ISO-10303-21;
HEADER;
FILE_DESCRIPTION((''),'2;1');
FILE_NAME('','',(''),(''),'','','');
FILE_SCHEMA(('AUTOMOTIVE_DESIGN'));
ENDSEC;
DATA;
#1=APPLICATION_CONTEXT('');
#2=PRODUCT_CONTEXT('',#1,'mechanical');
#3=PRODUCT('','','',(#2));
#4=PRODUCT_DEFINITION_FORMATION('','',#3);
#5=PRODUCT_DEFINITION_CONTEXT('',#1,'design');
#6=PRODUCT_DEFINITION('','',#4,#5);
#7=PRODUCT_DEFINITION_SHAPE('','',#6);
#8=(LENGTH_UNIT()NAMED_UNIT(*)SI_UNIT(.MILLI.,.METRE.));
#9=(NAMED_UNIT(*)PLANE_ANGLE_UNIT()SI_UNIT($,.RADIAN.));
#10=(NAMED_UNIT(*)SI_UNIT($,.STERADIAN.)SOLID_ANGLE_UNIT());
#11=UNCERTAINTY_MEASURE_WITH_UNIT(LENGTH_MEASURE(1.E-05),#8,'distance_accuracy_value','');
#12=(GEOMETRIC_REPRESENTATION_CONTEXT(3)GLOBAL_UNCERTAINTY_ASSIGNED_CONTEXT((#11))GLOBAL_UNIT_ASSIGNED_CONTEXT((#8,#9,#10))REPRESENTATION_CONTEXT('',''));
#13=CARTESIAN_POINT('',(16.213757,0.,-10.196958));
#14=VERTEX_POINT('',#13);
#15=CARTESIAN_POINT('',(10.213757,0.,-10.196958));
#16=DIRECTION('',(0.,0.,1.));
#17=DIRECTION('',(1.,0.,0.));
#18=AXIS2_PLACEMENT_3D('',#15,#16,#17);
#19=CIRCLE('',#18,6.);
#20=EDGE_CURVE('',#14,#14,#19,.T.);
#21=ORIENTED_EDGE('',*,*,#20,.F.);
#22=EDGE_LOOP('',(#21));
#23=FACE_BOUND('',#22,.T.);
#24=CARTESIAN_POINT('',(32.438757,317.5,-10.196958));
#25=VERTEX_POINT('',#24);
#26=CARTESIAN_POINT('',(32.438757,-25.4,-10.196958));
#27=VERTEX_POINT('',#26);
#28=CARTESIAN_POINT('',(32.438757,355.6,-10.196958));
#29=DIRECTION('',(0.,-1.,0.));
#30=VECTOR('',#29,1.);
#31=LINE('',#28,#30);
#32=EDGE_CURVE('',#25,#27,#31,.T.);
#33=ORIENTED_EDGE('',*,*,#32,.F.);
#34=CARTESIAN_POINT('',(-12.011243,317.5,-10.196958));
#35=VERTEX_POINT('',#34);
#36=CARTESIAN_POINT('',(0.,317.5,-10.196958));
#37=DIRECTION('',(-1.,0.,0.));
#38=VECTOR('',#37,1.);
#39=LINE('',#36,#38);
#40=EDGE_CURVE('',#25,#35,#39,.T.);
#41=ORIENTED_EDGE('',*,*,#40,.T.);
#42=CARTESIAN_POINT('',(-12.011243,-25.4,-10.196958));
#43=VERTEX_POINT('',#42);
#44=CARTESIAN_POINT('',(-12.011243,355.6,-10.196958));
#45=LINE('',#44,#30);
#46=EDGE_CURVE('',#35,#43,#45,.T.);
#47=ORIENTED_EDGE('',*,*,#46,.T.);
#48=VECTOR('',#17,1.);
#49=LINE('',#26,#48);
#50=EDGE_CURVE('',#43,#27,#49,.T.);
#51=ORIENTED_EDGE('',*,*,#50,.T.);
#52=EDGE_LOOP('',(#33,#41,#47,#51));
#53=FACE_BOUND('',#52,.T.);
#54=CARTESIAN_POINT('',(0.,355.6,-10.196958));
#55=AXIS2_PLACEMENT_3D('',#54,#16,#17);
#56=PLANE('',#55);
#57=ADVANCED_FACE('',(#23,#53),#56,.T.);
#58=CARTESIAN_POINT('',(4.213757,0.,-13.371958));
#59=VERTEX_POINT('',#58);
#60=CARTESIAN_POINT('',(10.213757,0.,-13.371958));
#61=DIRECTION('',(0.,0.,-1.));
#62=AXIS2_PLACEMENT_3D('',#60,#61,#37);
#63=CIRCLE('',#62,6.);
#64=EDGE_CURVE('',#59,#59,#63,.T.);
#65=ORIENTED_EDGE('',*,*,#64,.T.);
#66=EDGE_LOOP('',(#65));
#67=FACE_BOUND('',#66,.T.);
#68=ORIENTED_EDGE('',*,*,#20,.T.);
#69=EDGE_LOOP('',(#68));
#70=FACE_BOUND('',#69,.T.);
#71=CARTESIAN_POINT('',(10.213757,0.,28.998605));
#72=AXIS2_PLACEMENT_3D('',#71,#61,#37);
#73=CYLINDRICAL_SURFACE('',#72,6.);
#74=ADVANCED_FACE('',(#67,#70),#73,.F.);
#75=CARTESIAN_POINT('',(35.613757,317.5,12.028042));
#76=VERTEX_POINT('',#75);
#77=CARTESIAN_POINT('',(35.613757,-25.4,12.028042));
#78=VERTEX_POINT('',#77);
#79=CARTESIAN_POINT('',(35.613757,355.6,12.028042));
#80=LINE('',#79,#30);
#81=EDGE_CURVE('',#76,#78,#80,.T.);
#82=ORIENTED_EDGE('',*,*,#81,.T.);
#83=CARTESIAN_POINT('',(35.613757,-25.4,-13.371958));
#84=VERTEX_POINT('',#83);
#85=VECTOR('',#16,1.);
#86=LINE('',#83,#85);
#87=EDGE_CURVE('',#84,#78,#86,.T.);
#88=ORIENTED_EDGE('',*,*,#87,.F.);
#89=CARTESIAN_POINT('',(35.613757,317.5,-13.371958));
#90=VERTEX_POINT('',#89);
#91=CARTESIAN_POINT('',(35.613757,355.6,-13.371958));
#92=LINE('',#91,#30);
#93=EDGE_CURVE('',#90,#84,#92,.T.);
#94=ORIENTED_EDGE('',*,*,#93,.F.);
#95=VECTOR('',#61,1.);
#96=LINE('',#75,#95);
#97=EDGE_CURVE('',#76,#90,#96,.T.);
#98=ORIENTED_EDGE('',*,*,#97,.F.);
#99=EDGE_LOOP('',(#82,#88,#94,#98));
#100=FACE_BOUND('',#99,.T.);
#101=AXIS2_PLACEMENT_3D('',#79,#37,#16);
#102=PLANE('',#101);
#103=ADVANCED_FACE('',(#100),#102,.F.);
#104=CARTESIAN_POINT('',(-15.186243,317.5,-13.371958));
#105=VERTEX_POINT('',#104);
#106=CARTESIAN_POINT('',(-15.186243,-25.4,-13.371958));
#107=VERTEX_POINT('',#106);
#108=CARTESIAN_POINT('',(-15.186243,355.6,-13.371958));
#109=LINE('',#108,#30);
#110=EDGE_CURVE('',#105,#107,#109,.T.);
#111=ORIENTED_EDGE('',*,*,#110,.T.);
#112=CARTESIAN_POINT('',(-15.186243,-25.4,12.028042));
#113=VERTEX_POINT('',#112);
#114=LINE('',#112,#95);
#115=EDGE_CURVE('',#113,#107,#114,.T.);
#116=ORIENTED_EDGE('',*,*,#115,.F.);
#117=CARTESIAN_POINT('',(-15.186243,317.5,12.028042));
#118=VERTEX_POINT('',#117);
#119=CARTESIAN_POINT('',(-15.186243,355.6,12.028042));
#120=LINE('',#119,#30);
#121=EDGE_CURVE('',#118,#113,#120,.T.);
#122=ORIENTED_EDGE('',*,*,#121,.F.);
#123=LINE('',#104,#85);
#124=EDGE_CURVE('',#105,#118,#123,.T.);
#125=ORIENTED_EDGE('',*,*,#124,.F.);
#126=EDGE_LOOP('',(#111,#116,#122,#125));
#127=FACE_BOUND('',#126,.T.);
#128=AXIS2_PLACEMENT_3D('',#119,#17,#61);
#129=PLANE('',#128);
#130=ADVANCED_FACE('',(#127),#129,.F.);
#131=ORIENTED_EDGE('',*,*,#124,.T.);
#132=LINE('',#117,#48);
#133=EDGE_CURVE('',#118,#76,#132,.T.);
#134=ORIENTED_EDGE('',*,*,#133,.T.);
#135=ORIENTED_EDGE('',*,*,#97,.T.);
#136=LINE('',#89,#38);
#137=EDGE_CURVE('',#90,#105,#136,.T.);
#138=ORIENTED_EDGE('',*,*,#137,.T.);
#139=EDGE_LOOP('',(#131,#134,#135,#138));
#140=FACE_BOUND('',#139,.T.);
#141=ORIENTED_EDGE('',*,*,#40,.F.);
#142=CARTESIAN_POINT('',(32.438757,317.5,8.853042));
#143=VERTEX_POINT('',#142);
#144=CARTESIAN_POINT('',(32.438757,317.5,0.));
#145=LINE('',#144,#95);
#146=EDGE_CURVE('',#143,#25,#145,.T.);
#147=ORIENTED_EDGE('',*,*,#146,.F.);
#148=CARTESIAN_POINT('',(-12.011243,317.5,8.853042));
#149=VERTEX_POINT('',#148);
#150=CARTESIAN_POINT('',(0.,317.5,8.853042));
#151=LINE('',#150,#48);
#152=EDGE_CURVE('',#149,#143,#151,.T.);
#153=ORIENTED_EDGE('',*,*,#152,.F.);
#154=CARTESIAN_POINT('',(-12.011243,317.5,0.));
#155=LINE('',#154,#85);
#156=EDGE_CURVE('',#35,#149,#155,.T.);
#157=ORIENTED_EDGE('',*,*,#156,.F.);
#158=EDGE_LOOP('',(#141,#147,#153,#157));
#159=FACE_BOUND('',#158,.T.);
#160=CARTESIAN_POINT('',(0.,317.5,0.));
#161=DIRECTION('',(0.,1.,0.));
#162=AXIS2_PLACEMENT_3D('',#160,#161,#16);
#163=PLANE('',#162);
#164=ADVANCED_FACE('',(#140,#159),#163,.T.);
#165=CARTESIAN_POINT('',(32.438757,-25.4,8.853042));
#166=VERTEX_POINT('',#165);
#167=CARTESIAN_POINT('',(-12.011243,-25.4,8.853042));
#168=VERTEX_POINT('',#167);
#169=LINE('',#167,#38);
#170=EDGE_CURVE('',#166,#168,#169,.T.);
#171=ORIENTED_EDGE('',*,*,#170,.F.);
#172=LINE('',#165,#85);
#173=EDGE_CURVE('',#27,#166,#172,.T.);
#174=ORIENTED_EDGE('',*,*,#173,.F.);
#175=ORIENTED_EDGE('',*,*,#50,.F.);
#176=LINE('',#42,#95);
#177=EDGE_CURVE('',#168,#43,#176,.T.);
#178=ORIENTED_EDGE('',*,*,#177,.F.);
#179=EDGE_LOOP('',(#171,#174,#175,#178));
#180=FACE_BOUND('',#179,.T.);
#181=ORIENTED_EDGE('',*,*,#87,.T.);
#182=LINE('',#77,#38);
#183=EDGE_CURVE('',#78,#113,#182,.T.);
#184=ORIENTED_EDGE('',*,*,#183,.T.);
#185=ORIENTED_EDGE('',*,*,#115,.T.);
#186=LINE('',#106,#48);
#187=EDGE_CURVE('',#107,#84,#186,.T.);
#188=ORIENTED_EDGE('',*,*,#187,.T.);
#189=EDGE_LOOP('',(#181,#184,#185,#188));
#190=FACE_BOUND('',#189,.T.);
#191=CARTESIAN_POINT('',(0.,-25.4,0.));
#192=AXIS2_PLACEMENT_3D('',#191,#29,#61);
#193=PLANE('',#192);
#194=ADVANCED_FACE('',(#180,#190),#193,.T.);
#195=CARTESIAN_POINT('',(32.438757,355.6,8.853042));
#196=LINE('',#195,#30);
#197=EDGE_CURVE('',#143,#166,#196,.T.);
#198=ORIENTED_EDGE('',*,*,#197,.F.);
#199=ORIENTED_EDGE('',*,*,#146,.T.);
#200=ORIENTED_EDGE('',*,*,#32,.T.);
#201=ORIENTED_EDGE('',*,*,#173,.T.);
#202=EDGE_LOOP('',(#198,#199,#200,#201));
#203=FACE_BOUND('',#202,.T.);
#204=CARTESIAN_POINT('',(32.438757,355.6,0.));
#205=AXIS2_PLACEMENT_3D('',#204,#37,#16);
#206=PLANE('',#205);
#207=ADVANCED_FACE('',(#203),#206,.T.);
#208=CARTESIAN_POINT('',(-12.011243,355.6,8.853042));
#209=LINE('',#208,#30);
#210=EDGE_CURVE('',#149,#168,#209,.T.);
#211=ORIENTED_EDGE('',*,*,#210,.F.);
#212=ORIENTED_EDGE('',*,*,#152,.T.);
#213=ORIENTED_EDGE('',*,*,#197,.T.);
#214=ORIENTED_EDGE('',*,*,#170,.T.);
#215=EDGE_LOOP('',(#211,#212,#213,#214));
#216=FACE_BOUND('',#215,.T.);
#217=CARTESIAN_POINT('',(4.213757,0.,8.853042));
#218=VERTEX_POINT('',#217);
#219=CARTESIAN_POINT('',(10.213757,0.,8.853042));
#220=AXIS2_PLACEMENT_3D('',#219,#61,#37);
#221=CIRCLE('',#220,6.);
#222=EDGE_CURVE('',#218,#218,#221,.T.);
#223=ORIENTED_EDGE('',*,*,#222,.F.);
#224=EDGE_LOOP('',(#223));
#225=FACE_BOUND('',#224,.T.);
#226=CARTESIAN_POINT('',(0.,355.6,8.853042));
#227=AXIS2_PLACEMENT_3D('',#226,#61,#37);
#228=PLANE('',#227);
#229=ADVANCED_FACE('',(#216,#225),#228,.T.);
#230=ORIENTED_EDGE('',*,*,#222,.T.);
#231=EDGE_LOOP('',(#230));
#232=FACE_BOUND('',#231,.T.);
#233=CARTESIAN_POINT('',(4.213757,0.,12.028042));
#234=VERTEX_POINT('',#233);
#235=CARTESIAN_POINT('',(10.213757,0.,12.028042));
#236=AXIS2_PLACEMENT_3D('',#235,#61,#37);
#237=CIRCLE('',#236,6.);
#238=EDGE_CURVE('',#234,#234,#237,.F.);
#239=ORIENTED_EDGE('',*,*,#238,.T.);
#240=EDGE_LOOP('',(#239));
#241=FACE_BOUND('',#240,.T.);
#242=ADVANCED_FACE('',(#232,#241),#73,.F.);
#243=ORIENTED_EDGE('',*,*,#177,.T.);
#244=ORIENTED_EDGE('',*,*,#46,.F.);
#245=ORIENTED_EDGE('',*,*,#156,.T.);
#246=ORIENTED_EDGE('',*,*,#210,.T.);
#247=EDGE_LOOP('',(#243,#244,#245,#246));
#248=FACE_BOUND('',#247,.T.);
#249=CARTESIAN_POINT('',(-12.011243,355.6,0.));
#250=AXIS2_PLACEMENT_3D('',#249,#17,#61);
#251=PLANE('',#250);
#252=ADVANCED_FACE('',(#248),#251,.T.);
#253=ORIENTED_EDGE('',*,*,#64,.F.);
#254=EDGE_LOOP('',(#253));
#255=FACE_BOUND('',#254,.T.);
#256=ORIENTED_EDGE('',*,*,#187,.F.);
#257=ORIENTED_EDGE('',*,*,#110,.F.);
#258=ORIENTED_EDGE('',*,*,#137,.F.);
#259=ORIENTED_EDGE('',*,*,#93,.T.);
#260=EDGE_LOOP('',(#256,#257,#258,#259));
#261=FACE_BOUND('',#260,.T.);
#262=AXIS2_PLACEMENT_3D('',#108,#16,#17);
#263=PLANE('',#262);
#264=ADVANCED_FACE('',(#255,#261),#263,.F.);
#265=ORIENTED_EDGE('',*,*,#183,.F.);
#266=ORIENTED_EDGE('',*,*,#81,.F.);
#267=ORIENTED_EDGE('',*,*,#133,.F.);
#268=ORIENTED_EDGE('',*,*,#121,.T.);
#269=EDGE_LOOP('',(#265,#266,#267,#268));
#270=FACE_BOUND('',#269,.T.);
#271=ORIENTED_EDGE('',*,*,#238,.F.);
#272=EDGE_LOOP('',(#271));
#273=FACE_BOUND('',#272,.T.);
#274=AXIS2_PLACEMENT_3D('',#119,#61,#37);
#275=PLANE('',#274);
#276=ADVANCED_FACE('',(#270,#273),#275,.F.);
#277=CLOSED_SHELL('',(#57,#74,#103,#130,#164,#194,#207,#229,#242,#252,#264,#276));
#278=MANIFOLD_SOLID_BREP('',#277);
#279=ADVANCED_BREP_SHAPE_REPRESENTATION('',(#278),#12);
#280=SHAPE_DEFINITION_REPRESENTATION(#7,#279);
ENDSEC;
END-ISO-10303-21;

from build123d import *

# Parameters (mm, degrees)
SKETCH2_W            = 50.8
SKETCH2_H            = 25.4
SKETCH2_W_2          = 44.45
SKETCH2_H_2          = 19.05
EXTRUDE_THIN1_DEPTH  = 355.6
SKETCH25_W           = 50.8
SKETCH25_H           = 25.4
SKETCH25_W_2         = 44.45
SKETCH25_H_2         = 19.05
BOSS_EXTRUDE14_DEPTH = 25.4
CUT_EXTRUDE9_START   = -25.4
SKETCH28_R           = 6
CUT_EXTRUDE9_DEPTH   = 25.4
SKETCH30_W           = 50.8
SKETCH30_H           = 25.4
CUT_EXTRUDE11_DEPTH  = 38.1


with BuildPart() as part:
    # Sketch2 → Extrude-Thin1 (new body)
    with BuildSketch(Plane(origin=(0, 0, 0), x_dir=(1, 0, 0), z_dir=(0, 1, 0))):
        with Locations((10.213756614, 0.671957672)):
            Rectangle(SKETCH2_W, SKETCH2_H)
        with Locations((10.213756614, 0.671957672)):
            Rectangle(SKETCH2_W_2, SKETCH2_H_2, mode=Mode.SUBTRACT)
    extrude(amount=EXTRUDE_THIN1_DEPTH)

    # Sketch25 → Boss-Extrude14 (add)
    with BuildSketch(Plane.XZ):
        with Locations((10.213756614, -0.671957672)):
            Rectangle(SKETCH25_W, SKETCH25_H)
        with Locations((10.213756614, -0.671957672)):
            Rectangle(SKETCH25_W_2, SKETCH25_H_2, mode=Mode.SUBTRACT)
    extrude(amount=BOSS_EXTRUDE14_DEPTH)

    # Sketch28 → Cut-Extrude9 (cut)
    with BuildSketch(Plane(origin=(0, 0, -13.371957672), x_dir=(-1, 0, 0), z_dir=(0, 0, -1)).offset(CUT_EXTRUDE9_START)):
        with Locations((-10.213756614, 0)):
            Circle(SKETCH28_R)
    extrude(amount=CUT_EXTRUDE9_DEPTH, mode=Mode.SUBTRACT)

    # Sketch30 → Cut-Extrude11 (cut)
    with BuildSketch(Plane(origin=(0, 355.6, 0), x_dir=(1, 0, 0), z_dir=(0, 1, 0))):
        with Locations((10.213756614, 0.671957672)):
            Rectangle(SKETCH30_W, SKETCH30_H)
    extrude(amount=-CUT_EXTRUDE11_DEPTH, mode=Mode.SUBTRACT)


solid = part.part
